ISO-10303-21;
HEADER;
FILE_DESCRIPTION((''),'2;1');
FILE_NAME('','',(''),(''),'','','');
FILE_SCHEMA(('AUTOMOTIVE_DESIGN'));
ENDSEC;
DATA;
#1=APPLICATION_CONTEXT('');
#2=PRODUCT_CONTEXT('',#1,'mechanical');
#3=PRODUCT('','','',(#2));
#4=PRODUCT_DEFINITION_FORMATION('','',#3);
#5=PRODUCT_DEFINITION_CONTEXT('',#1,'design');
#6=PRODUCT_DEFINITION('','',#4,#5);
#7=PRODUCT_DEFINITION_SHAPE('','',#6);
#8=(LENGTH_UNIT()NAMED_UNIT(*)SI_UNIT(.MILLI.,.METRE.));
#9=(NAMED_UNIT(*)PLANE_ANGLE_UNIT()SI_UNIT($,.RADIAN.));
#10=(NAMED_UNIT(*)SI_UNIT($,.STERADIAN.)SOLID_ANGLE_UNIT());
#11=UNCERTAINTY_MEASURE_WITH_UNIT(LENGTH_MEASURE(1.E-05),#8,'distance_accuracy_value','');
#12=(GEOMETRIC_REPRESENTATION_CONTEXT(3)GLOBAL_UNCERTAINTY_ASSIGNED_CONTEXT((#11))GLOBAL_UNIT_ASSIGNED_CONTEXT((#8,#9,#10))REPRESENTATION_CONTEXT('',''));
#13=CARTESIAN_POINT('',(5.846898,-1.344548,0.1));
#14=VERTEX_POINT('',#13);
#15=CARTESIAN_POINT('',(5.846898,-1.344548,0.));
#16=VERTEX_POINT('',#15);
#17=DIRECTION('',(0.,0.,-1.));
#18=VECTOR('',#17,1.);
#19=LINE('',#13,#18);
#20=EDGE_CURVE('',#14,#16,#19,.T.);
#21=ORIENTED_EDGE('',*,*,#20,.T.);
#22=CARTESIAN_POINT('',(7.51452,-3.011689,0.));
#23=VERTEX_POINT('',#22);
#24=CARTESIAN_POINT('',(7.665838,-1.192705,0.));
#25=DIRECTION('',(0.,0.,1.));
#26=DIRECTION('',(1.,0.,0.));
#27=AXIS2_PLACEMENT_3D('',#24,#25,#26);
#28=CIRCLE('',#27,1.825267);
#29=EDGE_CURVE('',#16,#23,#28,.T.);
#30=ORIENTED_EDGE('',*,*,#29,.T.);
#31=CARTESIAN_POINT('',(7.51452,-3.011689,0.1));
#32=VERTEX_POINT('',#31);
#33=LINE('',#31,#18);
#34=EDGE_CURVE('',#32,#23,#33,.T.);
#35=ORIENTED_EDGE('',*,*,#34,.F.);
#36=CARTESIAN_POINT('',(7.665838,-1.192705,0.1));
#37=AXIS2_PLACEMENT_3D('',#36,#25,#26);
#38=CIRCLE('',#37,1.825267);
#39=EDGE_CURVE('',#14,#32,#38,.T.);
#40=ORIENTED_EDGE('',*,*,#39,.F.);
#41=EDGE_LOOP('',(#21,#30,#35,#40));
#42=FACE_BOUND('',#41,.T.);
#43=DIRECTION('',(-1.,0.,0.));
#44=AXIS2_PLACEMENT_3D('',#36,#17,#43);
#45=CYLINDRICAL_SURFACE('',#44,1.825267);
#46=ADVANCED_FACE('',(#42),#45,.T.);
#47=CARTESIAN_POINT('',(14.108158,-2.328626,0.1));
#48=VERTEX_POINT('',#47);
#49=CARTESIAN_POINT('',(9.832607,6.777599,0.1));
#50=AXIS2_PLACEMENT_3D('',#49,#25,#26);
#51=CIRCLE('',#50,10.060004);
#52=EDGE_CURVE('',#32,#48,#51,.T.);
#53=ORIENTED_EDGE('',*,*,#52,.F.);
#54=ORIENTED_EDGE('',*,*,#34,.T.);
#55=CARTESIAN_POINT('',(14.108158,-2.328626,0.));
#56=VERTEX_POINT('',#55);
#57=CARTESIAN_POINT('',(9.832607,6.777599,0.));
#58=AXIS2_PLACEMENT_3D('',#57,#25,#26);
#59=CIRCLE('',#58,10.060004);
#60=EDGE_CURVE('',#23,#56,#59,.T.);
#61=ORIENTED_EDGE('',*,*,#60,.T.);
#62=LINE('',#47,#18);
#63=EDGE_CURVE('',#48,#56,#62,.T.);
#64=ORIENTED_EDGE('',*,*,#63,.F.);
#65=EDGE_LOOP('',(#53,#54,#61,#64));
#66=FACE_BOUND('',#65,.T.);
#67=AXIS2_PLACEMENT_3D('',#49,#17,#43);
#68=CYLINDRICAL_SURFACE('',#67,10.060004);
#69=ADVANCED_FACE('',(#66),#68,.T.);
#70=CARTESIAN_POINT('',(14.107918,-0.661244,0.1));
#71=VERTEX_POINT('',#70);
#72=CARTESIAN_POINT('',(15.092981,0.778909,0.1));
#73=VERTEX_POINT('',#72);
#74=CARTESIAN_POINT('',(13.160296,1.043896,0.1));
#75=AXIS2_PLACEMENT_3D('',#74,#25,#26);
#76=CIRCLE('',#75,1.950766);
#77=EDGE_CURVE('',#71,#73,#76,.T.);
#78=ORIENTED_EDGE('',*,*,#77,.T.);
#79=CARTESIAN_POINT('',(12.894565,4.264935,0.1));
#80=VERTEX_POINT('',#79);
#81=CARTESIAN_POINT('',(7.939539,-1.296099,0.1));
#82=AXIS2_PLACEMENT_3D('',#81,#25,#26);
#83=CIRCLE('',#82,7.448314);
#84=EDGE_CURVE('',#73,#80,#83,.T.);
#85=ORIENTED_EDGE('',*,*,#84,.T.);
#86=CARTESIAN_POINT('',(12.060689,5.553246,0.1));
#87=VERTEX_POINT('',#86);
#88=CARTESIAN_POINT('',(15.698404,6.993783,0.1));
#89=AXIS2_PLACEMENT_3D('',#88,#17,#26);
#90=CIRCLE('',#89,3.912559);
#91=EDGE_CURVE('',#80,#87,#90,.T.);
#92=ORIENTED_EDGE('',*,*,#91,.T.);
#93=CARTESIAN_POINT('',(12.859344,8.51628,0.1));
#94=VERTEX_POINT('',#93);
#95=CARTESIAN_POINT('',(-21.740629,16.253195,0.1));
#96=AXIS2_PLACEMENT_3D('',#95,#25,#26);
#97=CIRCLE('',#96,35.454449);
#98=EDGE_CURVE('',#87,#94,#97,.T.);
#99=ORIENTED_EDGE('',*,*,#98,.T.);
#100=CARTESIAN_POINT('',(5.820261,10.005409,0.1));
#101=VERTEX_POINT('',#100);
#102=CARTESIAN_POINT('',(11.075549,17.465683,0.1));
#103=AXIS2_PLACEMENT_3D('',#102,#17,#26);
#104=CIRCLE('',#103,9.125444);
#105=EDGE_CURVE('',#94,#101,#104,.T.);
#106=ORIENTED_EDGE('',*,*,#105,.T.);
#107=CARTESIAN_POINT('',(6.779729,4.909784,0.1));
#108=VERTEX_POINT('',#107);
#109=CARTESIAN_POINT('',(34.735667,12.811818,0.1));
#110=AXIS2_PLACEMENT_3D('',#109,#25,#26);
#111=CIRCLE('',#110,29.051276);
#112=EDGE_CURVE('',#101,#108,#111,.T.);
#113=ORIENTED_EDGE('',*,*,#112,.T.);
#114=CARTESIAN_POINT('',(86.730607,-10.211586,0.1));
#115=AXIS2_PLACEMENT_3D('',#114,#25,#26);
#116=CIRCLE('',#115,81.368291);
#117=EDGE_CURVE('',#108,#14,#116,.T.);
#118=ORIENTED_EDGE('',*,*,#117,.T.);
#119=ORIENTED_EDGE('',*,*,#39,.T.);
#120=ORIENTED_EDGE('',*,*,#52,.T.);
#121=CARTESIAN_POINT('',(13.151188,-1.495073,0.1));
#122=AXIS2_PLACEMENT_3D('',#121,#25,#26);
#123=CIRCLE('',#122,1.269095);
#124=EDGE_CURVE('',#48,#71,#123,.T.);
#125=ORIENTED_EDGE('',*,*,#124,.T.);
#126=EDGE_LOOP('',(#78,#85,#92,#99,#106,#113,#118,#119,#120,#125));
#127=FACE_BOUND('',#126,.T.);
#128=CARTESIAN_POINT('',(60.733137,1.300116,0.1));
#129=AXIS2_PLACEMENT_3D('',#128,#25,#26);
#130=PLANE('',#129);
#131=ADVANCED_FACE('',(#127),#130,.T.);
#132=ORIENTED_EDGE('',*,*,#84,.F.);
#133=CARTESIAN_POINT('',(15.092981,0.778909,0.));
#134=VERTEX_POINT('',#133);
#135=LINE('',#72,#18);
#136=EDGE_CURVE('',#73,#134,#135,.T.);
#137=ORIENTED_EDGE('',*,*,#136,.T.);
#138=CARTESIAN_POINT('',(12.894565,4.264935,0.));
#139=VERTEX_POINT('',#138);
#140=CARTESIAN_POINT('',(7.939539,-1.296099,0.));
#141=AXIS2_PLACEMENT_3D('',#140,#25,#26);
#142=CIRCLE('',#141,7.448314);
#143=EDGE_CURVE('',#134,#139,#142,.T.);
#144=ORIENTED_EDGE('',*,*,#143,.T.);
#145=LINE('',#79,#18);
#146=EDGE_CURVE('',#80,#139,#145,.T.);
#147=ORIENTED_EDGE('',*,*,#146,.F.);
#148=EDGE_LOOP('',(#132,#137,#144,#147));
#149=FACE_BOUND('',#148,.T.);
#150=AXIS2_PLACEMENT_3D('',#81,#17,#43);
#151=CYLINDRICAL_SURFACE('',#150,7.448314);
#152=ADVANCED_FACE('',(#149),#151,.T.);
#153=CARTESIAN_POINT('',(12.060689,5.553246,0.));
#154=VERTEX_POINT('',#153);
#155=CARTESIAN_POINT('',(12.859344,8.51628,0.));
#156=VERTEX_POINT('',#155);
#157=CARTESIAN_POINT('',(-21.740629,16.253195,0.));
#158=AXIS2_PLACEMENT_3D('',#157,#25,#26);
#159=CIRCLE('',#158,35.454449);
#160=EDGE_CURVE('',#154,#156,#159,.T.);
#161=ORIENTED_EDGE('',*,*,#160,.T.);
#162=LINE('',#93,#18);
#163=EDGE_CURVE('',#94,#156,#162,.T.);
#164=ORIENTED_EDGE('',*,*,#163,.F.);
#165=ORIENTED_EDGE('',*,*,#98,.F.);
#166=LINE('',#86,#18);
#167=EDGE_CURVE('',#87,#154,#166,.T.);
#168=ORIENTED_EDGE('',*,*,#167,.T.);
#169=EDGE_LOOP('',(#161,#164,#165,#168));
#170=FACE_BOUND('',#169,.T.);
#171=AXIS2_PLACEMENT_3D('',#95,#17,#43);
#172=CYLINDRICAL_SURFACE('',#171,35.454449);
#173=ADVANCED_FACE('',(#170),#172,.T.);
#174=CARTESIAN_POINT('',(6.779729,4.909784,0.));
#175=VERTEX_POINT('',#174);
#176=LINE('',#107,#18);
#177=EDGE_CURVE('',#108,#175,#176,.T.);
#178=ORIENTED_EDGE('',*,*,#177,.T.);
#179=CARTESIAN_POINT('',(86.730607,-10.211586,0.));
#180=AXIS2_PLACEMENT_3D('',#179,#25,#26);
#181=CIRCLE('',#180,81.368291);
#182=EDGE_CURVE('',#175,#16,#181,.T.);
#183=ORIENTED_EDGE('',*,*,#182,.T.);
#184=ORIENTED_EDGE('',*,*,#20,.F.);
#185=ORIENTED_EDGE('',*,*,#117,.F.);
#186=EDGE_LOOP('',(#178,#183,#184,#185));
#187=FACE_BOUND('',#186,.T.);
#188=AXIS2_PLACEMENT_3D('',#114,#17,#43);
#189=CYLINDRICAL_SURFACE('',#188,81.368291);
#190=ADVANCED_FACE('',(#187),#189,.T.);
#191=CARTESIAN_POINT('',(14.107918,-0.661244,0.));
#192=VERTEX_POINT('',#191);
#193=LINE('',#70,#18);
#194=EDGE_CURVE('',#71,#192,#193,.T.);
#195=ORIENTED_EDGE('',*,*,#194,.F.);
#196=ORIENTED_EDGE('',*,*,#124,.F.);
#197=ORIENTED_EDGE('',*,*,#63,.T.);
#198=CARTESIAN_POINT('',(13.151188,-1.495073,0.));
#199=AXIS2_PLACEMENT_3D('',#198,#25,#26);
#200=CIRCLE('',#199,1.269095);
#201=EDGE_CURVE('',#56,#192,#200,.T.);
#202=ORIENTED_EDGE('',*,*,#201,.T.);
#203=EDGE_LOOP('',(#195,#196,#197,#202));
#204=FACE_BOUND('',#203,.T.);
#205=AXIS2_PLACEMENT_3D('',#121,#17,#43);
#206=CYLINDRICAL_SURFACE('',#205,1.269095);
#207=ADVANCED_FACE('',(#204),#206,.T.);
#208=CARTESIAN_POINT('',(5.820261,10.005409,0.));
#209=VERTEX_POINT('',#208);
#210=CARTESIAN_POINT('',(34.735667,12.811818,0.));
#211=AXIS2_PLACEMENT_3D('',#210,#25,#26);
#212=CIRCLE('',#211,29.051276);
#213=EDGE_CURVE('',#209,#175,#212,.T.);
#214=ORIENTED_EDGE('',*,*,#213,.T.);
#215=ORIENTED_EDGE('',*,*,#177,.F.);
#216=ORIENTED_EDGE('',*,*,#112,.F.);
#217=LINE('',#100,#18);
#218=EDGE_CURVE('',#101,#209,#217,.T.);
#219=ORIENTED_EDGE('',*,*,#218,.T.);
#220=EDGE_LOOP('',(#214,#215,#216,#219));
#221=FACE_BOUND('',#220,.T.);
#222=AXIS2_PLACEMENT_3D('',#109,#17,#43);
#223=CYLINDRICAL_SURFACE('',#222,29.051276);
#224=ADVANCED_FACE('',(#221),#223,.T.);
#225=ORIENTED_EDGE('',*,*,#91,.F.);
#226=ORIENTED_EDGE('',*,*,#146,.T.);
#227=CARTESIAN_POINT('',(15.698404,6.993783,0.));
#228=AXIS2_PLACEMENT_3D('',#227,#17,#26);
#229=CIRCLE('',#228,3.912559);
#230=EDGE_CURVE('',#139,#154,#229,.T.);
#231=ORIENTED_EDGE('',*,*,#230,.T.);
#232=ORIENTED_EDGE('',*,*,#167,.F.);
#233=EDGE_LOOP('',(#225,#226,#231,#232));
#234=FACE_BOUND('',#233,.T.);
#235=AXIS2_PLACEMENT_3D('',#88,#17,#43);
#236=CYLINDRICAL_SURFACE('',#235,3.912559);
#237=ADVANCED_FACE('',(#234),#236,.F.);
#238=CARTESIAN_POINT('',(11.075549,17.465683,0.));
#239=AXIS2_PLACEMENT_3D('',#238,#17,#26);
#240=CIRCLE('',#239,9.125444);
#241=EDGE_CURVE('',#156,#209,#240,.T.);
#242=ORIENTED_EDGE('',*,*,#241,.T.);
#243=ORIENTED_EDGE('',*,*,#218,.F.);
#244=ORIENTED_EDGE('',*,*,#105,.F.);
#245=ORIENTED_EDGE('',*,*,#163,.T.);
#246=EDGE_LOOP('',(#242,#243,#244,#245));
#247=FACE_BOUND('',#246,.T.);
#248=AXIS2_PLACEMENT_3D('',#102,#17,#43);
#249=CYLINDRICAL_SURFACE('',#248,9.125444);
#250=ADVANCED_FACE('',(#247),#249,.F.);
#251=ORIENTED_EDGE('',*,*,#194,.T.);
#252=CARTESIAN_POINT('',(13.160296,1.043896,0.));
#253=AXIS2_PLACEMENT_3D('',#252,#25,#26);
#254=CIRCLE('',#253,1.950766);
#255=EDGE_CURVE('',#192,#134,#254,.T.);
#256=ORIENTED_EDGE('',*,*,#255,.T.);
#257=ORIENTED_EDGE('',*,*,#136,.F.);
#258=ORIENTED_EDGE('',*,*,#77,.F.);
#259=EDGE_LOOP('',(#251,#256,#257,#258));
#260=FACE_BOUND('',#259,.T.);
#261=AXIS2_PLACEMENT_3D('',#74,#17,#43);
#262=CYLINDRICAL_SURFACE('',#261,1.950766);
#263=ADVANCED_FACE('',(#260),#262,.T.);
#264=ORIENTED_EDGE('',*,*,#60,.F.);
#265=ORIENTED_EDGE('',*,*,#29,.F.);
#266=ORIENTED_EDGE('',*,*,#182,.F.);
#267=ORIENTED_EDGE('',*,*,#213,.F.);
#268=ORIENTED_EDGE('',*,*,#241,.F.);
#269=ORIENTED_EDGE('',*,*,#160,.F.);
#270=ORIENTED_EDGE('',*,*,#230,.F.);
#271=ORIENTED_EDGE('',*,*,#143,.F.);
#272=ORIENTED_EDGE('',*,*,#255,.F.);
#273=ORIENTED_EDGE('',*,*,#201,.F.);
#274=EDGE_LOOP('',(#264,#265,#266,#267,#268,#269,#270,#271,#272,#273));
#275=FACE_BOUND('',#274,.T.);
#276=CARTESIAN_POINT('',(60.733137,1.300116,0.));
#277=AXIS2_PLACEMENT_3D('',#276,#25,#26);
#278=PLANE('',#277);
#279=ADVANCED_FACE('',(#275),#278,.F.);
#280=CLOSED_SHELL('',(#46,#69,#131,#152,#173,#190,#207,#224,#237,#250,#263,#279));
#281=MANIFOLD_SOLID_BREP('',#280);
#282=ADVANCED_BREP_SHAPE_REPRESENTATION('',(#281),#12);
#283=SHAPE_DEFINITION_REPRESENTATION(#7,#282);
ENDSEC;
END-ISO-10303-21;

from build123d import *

# Parameters (mm, degrees)
SALIENTE_EXTRUIR1_DEPTH = 0.1


with BuildPart() as part:
    # Model → Saliente-Extruir1 (new body)
    with BuildSketch(Plane.XY):
        with BuildLine():
            ThreePointArc((5.820261238, 10.005409211), (9.186847838, 8.537831037), (12.859343802, 8.516280459))
            ThreePointArc((12.859343802, 8.516280459), (12.492089591, 7.026118334), (12.060688518, 5.553246333))
            ThreePointArc((12.060688518, 5.553246333), (12.413842974, 4.867805835), (12.894565351, 4.264935416))
            ThreePointArc((12.894565351, 4.264935416), (14.239685442, 2.677003657), (15.09298084, 0.778909273))
            ThreePointArc((15.09298084, 0.778909273), (14.77043638, -0.057438485), (14.107917756, -0.661244393))
            ThreePointArc((14.107917756, -0.661244393), (14.420283265, -1.49489014), (14.108158471, -2.328626043))
            ThreePointArc((14.108158471, -2.328626043), (10.869217247, -3.228854701), (7.514520421, -3.011688639))
            ThreePointArc((7.514520421, -3.011688639), (6.375365831, -2.483549755), (5.846898055, -1.344547705))
            ThreePointArc((5.846898055, -1.344547705), (6.252533801, 1.79168345), (6.779728877, 4.909784085))
            ThreePointArc((6.779728877, 4.909784085), (6.186082282, 7.436147735), (5.820261238, 10.005409211))
        make_face()
    extrude(amount=SALIENTE_EXTRUIR1_DEPTH)


solid = part.part
